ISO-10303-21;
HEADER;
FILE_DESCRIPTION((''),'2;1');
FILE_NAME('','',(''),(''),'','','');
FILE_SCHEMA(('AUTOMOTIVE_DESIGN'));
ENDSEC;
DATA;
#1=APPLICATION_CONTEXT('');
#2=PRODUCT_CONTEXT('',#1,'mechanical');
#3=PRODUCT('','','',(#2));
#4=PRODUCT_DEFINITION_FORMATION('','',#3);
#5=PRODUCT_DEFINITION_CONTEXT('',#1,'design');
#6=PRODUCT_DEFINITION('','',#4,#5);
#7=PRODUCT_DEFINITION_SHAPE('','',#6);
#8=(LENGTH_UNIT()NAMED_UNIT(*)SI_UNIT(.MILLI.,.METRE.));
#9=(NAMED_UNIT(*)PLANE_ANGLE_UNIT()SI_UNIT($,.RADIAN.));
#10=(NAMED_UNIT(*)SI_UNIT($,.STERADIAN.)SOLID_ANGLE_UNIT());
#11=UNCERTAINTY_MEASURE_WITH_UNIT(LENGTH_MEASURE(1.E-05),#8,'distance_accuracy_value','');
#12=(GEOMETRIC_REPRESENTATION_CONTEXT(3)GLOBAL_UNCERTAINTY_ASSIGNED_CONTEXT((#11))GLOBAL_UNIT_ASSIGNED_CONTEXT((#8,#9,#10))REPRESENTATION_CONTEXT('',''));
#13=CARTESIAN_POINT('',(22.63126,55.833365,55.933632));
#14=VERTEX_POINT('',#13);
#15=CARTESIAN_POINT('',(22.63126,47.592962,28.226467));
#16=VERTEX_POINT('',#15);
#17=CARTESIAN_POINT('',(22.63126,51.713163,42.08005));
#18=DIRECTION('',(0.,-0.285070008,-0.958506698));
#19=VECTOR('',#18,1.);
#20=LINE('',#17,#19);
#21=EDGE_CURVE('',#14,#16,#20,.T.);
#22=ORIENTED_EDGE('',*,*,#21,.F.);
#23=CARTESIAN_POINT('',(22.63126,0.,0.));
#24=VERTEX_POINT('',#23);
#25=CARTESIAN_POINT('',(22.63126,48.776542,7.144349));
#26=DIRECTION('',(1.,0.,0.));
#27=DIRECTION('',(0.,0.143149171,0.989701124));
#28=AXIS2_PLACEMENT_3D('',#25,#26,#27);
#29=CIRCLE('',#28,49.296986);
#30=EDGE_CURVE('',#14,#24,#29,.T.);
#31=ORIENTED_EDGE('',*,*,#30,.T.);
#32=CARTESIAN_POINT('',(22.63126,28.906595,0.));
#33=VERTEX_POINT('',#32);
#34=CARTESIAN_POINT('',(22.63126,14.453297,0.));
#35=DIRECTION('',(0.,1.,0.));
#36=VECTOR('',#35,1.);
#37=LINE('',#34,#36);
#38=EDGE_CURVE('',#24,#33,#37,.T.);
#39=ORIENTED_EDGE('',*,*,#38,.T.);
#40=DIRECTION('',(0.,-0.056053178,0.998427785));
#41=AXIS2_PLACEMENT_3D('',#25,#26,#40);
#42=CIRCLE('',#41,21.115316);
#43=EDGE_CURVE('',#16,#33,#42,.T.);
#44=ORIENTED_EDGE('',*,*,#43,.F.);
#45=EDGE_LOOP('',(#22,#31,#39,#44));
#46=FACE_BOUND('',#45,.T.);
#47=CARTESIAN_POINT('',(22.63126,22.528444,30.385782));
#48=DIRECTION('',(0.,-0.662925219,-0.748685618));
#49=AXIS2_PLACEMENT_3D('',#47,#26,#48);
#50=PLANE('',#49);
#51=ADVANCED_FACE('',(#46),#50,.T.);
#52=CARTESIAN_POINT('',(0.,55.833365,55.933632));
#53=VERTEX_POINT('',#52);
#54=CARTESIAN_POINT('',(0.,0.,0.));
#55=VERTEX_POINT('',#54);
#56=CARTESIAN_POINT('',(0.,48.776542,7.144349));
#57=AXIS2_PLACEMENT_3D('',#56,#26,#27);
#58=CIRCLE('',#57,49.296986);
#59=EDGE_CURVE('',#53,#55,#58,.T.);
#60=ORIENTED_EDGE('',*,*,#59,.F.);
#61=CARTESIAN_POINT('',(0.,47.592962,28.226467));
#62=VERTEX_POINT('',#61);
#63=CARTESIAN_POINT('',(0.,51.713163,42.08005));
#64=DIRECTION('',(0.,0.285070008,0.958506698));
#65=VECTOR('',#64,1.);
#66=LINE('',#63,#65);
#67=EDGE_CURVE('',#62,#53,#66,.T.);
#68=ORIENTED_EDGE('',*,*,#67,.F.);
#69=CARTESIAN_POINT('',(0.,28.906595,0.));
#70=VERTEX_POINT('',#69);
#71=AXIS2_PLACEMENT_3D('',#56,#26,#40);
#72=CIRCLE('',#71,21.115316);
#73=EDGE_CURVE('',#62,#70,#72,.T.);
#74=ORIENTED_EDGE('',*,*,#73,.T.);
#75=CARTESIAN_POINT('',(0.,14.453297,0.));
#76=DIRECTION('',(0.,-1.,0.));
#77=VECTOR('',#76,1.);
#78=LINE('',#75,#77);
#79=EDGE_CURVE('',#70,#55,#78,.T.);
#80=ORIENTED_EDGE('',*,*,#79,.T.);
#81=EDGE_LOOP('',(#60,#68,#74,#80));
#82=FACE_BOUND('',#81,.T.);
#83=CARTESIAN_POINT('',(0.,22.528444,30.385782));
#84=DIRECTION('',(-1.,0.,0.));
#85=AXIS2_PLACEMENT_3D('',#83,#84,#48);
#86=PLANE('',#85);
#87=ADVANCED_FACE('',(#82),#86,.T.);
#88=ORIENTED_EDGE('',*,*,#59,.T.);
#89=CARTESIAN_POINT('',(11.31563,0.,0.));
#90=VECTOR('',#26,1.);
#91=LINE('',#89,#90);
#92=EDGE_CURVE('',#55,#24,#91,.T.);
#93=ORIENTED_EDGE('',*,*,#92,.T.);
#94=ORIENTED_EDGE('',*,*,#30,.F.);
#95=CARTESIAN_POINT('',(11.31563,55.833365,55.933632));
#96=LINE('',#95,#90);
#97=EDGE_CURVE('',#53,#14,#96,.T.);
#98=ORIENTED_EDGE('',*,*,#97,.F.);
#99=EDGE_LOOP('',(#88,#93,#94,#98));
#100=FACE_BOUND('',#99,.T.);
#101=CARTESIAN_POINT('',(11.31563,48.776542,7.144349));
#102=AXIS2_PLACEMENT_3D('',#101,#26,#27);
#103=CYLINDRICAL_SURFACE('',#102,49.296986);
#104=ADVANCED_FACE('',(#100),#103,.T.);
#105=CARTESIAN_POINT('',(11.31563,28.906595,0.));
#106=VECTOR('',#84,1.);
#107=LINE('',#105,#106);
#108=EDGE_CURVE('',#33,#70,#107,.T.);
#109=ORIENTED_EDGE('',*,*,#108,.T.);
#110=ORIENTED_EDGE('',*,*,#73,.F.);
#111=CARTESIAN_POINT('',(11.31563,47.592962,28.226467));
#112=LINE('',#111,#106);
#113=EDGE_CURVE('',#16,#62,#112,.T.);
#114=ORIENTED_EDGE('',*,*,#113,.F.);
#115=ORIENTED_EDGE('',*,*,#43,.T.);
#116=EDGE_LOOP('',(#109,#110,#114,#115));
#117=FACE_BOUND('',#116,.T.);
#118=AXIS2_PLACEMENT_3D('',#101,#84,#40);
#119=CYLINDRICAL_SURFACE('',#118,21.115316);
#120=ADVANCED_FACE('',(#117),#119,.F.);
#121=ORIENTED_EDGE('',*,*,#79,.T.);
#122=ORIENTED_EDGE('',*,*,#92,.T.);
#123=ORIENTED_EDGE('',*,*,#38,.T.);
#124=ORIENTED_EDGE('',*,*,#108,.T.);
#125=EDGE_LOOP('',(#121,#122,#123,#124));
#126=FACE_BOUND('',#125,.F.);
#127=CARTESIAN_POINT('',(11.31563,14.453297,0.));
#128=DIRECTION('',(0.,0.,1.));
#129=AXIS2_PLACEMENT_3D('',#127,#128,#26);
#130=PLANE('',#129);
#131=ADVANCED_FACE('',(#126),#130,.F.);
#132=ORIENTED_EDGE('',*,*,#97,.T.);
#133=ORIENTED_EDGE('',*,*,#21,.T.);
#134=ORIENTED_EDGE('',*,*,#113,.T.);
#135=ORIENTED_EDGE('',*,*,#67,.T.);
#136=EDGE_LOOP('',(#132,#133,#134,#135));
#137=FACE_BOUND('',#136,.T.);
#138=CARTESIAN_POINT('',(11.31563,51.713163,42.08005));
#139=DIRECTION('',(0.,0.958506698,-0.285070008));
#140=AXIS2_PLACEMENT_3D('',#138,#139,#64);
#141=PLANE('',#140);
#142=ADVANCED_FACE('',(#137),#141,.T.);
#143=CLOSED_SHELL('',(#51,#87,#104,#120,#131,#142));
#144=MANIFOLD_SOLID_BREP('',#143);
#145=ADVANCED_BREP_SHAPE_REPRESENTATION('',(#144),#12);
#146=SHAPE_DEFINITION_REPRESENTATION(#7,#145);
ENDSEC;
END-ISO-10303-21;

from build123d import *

# Parameters (mm, degrees)
F0_W = 22.631261
F0_H = 28.906595


with BuildPart() as f2:
    # F2: sweep along a path in F1
    with BuildLine(Plane.YZ) as f2_path:
        ThreePointArc((49.586758, 34.930319), (26.988201, 24.406584), (21.912536, 0))
    # F0 (on Top) → F2 (sweep)
    with BuildSketch(Plane.XY):
        with Locations((11.31563, 14.453297)):
            Rectangle(F0_W, F0_H)
    sweep(path=f2_path.line)


solid = f2.part
